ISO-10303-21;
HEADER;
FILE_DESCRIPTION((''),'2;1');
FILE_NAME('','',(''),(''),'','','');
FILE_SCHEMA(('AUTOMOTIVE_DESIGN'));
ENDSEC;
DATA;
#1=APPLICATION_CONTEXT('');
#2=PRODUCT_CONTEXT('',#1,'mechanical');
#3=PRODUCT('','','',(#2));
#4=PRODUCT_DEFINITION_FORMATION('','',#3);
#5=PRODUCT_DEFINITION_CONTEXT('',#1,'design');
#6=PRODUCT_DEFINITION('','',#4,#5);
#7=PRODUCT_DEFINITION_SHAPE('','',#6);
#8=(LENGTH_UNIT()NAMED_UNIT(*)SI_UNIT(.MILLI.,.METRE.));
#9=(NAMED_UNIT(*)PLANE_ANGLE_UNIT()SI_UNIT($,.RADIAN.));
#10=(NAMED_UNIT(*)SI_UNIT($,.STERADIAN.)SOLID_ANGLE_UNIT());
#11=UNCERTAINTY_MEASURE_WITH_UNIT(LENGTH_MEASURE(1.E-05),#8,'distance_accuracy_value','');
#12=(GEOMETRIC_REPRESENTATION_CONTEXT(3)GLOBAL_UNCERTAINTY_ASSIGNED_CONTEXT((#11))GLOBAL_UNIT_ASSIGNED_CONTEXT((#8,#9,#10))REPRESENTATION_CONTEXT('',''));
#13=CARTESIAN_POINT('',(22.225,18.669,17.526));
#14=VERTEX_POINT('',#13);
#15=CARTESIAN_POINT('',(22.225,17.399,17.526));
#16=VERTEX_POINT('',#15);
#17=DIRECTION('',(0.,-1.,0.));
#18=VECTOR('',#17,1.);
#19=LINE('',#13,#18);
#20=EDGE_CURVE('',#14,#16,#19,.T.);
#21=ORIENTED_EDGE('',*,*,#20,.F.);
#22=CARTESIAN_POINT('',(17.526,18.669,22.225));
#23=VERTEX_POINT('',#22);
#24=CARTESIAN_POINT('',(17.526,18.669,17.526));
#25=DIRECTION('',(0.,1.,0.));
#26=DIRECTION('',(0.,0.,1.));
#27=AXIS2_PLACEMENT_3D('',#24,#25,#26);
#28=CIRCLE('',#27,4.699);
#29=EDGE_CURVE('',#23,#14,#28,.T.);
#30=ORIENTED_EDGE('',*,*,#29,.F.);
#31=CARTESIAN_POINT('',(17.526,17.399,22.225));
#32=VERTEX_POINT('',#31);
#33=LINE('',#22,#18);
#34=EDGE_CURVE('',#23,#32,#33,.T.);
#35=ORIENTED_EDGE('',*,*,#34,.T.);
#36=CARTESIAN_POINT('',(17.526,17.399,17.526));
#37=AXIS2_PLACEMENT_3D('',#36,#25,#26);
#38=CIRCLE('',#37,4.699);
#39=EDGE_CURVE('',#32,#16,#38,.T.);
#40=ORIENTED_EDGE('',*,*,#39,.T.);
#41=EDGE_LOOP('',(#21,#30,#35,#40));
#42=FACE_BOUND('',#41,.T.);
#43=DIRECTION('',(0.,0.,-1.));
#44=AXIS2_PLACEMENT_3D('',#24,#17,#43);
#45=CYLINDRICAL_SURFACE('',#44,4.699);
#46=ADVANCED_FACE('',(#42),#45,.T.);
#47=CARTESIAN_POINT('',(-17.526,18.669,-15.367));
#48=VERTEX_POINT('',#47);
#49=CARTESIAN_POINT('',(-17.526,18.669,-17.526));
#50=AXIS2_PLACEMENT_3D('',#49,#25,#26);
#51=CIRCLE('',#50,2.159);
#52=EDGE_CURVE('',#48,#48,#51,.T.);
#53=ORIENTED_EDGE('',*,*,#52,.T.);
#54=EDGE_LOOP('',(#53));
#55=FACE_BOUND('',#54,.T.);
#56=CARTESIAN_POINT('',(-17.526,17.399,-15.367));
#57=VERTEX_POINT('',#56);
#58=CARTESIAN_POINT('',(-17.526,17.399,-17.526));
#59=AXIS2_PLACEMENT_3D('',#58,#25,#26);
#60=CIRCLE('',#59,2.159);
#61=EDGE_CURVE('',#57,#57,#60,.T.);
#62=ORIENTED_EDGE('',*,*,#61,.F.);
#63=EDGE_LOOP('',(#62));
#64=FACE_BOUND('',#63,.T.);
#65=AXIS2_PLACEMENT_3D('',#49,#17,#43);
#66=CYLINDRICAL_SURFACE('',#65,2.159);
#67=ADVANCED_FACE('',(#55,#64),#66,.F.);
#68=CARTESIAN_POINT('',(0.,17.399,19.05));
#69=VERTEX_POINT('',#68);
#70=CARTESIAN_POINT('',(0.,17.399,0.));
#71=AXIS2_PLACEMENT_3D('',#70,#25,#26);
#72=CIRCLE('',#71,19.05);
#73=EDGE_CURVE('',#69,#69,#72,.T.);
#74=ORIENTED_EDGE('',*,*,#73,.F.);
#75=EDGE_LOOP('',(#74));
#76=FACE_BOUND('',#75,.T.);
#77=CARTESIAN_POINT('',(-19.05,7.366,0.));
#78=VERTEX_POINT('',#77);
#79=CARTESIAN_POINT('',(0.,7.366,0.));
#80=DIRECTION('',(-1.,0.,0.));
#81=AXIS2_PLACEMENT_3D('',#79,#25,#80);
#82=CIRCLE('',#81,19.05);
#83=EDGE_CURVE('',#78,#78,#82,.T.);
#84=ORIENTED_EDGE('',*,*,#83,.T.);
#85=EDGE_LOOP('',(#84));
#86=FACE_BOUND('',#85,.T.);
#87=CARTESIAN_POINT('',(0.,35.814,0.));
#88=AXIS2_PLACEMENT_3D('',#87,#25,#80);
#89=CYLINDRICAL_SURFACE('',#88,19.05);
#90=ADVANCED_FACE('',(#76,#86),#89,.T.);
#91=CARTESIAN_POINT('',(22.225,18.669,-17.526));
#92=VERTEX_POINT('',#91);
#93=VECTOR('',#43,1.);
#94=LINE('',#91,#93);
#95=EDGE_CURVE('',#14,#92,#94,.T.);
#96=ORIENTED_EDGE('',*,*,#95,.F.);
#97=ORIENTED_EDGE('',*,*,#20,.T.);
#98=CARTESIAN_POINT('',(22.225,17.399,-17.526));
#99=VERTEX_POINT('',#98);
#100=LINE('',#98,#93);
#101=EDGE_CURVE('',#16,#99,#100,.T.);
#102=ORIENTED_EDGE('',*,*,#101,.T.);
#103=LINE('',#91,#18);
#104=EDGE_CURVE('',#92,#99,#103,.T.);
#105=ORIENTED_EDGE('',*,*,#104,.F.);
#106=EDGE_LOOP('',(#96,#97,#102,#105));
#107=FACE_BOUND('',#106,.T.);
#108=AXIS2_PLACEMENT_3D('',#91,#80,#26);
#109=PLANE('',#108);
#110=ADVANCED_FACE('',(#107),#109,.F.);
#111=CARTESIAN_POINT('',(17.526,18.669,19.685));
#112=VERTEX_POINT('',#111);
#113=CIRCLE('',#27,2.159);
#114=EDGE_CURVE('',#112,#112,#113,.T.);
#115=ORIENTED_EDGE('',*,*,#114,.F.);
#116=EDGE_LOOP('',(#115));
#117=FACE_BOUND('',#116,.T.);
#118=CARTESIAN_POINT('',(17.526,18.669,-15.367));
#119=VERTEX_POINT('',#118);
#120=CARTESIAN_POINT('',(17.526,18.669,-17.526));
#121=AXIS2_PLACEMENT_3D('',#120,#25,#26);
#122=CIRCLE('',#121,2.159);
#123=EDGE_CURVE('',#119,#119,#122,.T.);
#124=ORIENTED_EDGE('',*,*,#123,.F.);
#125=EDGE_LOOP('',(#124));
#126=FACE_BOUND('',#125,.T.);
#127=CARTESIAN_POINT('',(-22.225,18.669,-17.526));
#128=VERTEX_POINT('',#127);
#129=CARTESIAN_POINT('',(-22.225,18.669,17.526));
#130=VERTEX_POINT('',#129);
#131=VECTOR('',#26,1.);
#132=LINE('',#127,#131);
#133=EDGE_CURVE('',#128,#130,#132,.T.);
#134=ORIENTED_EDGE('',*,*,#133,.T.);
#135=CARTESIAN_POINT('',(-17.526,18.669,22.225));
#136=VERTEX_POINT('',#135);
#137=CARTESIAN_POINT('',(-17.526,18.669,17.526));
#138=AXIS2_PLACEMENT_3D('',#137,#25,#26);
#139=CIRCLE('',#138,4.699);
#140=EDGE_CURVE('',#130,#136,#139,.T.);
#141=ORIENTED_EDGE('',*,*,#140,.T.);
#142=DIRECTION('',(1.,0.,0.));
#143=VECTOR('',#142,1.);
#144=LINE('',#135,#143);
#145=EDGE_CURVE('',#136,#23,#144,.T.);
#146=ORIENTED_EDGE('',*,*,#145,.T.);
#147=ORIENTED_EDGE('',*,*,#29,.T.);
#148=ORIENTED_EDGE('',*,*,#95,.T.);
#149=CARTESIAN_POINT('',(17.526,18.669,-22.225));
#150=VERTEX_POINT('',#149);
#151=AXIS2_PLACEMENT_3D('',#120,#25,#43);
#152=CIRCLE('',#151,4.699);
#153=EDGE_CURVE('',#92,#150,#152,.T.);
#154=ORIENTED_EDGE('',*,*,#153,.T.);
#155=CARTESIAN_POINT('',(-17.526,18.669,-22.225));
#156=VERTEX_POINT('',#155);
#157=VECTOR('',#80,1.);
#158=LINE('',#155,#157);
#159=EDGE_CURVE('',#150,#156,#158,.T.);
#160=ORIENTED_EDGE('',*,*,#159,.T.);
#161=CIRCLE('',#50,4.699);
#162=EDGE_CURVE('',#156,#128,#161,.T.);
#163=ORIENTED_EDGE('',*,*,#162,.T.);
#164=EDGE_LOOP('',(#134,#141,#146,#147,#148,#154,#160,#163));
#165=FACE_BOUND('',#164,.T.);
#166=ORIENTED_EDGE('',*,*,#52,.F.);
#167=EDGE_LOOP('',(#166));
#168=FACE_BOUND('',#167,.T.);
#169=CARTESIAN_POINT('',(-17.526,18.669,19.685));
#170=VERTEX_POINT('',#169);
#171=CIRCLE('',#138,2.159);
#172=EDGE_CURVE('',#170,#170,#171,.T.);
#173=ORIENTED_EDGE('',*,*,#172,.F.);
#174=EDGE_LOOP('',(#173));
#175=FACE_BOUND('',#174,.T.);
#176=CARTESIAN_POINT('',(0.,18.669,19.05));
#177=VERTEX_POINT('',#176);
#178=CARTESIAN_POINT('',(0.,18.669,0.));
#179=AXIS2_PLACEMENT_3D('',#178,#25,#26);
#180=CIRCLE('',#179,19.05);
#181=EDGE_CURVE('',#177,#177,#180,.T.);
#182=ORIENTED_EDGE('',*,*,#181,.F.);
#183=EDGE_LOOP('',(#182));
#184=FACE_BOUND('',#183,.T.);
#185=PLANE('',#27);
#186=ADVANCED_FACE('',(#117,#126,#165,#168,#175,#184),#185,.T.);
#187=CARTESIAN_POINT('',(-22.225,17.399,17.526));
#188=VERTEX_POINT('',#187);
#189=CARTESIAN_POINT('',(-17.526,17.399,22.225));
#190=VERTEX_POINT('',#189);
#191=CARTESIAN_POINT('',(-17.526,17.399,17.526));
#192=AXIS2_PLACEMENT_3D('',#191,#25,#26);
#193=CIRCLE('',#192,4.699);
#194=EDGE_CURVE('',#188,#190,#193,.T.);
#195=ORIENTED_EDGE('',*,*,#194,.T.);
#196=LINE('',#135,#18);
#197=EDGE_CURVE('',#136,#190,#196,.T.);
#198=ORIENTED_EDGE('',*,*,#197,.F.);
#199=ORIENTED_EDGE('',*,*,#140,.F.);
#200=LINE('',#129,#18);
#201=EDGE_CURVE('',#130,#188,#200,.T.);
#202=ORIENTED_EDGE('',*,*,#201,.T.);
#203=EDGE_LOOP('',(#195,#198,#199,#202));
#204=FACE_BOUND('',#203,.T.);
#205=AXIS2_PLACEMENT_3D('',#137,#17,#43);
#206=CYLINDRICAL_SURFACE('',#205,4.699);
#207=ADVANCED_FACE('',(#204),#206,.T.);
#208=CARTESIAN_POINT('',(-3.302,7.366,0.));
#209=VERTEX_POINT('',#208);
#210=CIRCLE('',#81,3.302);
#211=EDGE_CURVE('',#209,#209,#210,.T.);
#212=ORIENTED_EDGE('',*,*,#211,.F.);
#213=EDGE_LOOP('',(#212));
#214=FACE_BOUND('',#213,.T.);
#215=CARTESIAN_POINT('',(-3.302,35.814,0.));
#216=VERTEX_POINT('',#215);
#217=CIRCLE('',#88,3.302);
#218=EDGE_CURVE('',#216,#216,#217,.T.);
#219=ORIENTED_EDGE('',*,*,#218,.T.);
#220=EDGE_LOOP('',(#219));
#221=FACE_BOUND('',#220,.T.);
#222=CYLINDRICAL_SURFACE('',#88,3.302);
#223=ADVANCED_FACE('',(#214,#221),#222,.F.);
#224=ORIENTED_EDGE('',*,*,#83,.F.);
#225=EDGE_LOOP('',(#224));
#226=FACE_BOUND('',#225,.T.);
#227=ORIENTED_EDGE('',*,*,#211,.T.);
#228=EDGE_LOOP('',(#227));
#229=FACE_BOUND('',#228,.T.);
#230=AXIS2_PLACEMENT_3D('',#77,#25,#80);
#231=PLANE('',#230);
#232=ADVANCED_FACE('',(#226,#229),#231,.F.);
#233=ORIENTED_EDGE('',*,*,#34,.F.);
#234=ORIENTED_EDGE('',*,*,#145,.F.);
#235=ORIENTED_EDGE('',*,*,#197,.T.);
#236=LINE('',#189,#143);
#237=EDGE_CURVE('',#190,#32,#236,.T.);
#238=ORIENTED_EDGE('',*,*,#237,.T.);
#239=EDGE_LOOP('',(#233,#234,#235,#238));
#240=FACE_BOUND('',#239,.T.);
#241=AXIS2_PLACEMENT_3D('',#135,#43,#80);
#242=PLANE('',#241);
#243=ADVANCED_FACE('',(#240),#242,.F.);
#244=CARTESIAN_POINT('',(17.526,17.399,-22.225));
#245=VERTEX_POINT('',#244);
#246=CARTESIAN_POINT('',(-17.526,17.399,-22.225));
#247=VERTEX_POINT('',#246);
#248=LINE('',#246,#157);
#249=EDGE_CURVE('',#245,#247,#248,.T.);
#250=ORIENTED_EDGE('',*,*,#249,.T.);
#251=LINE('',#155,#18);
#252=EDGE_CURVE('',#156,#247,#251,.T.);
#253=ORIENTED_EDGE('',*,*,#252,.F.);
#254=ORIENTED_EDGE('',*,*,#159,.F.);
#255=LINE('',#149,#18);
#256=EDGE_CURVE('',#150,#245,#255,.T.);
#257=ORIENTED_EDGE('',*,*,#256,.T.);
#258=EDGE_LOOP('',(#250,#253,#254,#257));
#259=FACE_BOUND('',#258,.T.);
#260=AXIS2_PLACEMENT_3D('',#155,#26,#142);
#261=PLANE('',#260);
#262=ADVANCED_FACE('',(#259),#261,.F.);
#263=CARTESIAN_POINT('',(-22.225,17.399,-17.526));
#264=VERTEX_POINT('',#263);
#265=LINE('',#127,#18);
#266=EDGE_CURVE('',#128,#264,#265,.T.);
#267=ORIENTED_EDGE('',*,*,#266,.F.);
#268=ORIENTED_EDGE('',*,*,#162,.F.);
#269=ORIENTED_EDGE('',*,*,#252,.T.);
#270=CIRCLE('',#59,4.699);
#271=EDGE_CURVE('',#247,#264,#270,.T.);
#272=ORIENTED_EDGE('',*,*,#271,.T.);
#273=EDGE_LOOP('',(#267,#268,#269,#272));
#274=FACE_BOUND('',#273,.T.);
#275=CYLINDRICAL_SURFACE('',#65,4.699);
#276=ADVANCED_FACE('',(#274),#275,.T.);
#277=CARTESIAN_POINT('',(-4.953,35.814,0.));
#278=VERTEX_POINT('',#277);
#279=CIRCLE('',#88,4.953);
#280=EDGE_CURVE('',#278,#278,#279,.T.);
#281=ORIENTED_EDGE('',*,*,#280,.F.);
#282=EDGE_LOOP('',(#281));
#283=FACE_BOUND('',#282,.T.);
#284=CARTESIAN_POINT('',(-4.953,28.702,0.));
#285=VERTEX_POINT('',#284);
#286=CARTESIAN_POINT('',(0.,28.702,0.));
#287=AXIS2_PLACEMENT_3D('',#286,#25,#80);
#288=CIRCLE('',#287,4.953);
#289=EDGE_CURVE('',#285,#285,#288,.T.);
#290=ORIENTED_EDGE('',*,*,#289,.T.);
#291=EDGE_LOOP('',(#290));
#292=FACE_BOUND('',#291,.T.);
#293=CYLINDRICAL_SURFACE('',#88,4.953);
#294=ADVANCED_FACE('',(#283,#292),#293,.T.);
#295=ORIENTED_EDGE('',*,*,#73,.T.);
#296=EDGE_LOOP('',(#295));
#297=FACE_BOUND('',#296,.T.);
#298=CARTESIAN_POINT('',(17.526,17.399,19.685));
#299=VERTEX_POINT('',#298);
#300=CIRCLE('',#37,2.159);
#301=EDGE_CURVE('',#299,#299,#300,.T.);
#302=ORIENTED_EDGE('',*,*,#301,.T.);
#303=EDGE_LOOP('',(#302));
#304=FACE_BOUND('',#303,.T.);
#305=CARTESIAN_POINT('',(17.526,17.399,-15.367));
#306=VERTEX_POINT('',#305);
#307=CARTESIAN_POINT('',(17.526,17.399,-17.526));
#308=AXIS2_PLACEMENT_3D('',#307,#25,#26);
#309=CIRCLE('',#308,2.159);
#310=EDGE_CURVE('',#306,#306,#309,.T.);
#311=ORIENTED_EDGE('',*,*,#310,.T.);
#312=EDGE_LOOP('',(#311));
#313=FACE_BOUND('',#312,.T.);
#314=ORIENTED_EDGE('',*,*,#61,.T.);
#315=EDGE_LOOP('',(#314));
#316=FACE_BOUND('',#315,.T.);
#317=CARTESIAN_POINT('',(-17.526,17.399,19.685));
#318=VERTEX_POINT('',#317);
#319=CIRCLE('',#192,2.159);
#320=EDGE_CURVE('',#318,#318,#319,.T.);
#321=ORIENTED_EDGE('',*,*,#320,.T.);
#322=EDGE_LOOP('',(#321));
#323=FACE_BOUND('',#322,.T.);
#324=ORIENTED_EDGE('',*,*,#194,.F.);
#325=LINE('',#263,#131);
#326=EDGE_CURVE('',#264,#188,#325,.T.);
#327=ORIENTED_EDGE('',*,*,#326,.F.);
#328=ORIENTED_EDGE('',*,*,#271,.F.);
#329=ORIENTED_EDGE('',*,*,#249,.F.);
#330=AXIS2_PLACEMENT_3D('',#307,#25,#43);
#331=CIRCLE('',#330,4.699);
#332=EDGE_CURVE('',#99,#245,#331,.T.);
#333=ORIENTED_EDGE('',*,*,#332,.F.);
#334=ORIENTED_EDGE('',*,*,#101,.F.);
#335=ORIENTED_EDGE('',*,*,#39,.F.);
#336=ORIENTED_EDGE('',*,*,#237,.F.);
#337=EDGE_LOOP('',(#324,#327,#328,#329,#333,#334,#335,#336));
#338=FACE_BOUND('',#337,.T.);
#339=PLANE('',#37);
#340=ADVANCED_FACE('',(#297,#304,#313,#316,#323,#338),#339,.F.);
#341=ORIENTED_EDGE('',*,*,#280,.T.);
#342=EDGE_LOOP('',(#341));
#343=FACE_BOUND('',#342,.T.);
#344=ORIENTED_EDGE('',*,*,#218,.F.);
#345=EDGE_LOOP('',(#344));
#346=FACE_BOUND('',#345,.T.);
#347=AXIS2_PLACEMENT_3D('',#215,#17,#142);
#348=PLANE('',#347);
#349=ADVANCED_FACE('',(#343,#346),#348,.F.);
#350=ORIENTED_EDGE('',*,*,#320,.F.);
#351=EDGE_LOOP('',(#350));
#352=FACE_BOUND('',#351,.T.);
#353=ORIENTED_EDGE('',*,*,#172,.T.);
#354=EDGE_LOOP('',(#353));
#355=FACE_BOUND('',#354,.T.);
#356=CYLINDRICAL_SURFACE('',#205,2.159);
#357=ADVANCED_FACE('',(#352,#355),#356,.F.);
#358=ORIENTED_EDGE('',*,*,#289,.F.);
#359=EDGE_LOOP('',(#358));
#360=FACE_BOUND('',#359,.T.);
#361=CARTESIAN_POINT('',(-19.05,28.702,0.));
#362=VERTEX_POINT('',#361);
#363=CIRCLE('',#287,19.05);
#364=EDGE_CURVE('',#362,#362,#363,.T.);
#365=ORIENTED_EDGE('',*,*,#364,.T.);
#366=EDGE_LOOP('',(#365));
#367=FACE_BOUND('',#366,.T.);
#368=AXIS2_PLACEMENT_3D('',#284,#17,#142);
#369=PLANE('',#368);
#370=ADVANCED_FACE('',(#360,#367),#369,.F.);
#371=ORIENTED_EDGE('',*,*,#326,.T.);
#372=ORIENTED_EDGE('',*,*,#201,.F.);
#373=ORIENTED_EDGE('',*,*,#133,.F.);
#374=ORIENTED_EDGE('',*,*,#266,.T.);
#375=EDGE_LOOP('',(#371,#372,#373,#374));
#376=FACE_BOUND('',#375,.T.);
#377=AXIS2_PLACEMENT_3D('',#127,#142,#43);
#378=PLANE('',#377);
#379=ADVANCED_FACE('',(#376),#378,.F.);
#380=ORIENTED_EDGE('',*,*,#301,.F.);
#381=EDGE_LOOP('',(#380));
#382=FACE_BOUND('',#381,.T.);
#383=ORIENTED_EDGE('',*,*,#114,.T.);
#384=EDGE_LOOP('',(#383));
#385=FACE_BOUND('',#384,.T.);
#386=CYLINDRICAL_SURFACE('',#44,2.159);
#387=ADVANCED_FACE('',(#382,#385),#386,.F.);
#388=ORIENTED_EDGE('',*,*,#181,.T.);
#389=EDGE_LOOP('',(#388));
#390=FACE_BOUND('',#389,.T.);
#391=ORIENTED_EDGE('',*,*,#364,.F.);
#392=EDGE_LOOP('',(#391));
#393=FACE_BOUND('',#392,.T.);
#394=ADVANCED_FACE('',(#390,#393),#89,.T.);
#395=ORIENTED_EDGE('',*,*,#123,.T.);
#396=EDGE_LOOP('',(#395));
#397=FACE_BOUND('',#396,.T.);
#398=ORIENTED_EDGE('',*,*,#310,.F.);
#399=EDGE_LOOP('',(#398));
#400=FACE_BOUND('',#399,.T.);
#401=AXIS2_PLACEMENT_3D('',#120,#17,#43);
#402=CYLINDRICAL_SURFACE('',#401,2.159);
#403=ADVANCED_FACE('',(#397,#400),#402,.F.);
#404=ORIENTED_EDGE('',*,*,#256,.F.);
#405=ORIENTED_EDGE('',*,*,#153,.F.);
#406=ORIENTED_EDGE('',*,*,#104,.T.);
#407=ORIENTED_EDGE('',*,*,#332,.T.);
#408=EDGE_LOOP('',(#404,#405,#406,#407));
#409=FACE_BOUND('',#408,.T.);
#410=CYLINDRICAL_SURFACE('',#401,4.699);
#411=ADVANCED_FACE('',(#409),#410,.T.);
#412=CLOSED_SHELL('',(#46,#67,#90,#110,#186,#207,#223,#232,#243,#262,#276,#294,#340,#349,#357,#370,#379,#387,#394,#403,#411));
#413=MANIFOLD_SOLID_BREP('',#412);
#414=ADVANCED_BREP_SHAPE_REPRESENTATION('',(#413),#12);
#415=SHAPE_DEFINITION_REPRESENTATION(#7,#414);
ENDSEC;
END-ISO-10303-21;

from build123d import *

# Parameters (mm, degrees)
SKETCH3_R           = 19.05
SKETCH3_R_2         = 2.159
BOSS_EXTRUDE1_DEPTH = 1.27


with BuildPart() as part:
    # Sketch2 → Revolve1 (revolve)
    with BuildSketch(Plane.XY, mode=Mode.PRIVATE) as revolve1_sk:
        Polygon((3.302, 35.814), (4.953, 35.814), (4.953, 28.702), (19.05, 28.702), (19.05, 18.669), (19.05, 17.399), (19.05, 7.366), (3.302, 7.366), align=None)
    revolve(revolve1_sk.sketch.rotate(Axis((0, 35.814, 0), (0, -1, 0)), 180), axis=Axis((0, 35.814, 0), (0, -1, 0)))

    # Sketch3 → Boss-Extrude1 (add)
    with BuildSketch(Plane(origin=(0, 17.399, 0), x_dir=(1, 0, 0), z_dir=(0, 1, 0))):
        with BuildLine():
            Line((-17.526, 22.225), (17.526, 22.225))
            ThreePointArc((17.526, 22.225), (20.848694765, 20.848694765), (22.225, 17.526))
            Line((22.225, 17.526), (22.225, -17.526))
            ThreePointArc((22.225, -17.526), (20.848694765, -20.848694765), (17.526, -22.225))
            Line((17.526, -22.225), (-17.526, -22.225))
            ThreePointArc((-17.526, -22.225), (-20.848694765, -20.848694765), (-22.225, -17.526))
            Line((-22.225, -17.526), (-22.225, 17.526))
            ThreePointArc((-22.225, 17.526), (-20.848694765, 20.848694765), (-17.526, 22.225))
        make_face()
        with Locations(Location((0, 0, 0), (0, 0, 180))):
            Circle(SKETCH3_R, mode=Mode.SUBTRACT)
        with Locations(Location((-17.526, -17.526, 0), (0, 0, 270))):
            Circle(SKETCH3_R_2, mode=Mode.SUBTRACT)
        with Locations(Location((17.526, -17.526, 0), (0, 0, 270))):
            Circle(SKETCH3_R_2, mode=Mode.SUBTRACT)
        with Locations(Location((-17.526, 17.526, 0), (0, 0, 270))):
            Circle(SKETCH3_R_2, mode=Mode.SUBTRACT)
        with Locations(Location((17.526, 17.526, 0), (0, 0, 270))):
            Circle(SKETCH3_R_2, mode=Mode.SUBTRACT)
    extrude(amount=BOSS_EXTRUDE1_DEPTH)


solid = part.part
